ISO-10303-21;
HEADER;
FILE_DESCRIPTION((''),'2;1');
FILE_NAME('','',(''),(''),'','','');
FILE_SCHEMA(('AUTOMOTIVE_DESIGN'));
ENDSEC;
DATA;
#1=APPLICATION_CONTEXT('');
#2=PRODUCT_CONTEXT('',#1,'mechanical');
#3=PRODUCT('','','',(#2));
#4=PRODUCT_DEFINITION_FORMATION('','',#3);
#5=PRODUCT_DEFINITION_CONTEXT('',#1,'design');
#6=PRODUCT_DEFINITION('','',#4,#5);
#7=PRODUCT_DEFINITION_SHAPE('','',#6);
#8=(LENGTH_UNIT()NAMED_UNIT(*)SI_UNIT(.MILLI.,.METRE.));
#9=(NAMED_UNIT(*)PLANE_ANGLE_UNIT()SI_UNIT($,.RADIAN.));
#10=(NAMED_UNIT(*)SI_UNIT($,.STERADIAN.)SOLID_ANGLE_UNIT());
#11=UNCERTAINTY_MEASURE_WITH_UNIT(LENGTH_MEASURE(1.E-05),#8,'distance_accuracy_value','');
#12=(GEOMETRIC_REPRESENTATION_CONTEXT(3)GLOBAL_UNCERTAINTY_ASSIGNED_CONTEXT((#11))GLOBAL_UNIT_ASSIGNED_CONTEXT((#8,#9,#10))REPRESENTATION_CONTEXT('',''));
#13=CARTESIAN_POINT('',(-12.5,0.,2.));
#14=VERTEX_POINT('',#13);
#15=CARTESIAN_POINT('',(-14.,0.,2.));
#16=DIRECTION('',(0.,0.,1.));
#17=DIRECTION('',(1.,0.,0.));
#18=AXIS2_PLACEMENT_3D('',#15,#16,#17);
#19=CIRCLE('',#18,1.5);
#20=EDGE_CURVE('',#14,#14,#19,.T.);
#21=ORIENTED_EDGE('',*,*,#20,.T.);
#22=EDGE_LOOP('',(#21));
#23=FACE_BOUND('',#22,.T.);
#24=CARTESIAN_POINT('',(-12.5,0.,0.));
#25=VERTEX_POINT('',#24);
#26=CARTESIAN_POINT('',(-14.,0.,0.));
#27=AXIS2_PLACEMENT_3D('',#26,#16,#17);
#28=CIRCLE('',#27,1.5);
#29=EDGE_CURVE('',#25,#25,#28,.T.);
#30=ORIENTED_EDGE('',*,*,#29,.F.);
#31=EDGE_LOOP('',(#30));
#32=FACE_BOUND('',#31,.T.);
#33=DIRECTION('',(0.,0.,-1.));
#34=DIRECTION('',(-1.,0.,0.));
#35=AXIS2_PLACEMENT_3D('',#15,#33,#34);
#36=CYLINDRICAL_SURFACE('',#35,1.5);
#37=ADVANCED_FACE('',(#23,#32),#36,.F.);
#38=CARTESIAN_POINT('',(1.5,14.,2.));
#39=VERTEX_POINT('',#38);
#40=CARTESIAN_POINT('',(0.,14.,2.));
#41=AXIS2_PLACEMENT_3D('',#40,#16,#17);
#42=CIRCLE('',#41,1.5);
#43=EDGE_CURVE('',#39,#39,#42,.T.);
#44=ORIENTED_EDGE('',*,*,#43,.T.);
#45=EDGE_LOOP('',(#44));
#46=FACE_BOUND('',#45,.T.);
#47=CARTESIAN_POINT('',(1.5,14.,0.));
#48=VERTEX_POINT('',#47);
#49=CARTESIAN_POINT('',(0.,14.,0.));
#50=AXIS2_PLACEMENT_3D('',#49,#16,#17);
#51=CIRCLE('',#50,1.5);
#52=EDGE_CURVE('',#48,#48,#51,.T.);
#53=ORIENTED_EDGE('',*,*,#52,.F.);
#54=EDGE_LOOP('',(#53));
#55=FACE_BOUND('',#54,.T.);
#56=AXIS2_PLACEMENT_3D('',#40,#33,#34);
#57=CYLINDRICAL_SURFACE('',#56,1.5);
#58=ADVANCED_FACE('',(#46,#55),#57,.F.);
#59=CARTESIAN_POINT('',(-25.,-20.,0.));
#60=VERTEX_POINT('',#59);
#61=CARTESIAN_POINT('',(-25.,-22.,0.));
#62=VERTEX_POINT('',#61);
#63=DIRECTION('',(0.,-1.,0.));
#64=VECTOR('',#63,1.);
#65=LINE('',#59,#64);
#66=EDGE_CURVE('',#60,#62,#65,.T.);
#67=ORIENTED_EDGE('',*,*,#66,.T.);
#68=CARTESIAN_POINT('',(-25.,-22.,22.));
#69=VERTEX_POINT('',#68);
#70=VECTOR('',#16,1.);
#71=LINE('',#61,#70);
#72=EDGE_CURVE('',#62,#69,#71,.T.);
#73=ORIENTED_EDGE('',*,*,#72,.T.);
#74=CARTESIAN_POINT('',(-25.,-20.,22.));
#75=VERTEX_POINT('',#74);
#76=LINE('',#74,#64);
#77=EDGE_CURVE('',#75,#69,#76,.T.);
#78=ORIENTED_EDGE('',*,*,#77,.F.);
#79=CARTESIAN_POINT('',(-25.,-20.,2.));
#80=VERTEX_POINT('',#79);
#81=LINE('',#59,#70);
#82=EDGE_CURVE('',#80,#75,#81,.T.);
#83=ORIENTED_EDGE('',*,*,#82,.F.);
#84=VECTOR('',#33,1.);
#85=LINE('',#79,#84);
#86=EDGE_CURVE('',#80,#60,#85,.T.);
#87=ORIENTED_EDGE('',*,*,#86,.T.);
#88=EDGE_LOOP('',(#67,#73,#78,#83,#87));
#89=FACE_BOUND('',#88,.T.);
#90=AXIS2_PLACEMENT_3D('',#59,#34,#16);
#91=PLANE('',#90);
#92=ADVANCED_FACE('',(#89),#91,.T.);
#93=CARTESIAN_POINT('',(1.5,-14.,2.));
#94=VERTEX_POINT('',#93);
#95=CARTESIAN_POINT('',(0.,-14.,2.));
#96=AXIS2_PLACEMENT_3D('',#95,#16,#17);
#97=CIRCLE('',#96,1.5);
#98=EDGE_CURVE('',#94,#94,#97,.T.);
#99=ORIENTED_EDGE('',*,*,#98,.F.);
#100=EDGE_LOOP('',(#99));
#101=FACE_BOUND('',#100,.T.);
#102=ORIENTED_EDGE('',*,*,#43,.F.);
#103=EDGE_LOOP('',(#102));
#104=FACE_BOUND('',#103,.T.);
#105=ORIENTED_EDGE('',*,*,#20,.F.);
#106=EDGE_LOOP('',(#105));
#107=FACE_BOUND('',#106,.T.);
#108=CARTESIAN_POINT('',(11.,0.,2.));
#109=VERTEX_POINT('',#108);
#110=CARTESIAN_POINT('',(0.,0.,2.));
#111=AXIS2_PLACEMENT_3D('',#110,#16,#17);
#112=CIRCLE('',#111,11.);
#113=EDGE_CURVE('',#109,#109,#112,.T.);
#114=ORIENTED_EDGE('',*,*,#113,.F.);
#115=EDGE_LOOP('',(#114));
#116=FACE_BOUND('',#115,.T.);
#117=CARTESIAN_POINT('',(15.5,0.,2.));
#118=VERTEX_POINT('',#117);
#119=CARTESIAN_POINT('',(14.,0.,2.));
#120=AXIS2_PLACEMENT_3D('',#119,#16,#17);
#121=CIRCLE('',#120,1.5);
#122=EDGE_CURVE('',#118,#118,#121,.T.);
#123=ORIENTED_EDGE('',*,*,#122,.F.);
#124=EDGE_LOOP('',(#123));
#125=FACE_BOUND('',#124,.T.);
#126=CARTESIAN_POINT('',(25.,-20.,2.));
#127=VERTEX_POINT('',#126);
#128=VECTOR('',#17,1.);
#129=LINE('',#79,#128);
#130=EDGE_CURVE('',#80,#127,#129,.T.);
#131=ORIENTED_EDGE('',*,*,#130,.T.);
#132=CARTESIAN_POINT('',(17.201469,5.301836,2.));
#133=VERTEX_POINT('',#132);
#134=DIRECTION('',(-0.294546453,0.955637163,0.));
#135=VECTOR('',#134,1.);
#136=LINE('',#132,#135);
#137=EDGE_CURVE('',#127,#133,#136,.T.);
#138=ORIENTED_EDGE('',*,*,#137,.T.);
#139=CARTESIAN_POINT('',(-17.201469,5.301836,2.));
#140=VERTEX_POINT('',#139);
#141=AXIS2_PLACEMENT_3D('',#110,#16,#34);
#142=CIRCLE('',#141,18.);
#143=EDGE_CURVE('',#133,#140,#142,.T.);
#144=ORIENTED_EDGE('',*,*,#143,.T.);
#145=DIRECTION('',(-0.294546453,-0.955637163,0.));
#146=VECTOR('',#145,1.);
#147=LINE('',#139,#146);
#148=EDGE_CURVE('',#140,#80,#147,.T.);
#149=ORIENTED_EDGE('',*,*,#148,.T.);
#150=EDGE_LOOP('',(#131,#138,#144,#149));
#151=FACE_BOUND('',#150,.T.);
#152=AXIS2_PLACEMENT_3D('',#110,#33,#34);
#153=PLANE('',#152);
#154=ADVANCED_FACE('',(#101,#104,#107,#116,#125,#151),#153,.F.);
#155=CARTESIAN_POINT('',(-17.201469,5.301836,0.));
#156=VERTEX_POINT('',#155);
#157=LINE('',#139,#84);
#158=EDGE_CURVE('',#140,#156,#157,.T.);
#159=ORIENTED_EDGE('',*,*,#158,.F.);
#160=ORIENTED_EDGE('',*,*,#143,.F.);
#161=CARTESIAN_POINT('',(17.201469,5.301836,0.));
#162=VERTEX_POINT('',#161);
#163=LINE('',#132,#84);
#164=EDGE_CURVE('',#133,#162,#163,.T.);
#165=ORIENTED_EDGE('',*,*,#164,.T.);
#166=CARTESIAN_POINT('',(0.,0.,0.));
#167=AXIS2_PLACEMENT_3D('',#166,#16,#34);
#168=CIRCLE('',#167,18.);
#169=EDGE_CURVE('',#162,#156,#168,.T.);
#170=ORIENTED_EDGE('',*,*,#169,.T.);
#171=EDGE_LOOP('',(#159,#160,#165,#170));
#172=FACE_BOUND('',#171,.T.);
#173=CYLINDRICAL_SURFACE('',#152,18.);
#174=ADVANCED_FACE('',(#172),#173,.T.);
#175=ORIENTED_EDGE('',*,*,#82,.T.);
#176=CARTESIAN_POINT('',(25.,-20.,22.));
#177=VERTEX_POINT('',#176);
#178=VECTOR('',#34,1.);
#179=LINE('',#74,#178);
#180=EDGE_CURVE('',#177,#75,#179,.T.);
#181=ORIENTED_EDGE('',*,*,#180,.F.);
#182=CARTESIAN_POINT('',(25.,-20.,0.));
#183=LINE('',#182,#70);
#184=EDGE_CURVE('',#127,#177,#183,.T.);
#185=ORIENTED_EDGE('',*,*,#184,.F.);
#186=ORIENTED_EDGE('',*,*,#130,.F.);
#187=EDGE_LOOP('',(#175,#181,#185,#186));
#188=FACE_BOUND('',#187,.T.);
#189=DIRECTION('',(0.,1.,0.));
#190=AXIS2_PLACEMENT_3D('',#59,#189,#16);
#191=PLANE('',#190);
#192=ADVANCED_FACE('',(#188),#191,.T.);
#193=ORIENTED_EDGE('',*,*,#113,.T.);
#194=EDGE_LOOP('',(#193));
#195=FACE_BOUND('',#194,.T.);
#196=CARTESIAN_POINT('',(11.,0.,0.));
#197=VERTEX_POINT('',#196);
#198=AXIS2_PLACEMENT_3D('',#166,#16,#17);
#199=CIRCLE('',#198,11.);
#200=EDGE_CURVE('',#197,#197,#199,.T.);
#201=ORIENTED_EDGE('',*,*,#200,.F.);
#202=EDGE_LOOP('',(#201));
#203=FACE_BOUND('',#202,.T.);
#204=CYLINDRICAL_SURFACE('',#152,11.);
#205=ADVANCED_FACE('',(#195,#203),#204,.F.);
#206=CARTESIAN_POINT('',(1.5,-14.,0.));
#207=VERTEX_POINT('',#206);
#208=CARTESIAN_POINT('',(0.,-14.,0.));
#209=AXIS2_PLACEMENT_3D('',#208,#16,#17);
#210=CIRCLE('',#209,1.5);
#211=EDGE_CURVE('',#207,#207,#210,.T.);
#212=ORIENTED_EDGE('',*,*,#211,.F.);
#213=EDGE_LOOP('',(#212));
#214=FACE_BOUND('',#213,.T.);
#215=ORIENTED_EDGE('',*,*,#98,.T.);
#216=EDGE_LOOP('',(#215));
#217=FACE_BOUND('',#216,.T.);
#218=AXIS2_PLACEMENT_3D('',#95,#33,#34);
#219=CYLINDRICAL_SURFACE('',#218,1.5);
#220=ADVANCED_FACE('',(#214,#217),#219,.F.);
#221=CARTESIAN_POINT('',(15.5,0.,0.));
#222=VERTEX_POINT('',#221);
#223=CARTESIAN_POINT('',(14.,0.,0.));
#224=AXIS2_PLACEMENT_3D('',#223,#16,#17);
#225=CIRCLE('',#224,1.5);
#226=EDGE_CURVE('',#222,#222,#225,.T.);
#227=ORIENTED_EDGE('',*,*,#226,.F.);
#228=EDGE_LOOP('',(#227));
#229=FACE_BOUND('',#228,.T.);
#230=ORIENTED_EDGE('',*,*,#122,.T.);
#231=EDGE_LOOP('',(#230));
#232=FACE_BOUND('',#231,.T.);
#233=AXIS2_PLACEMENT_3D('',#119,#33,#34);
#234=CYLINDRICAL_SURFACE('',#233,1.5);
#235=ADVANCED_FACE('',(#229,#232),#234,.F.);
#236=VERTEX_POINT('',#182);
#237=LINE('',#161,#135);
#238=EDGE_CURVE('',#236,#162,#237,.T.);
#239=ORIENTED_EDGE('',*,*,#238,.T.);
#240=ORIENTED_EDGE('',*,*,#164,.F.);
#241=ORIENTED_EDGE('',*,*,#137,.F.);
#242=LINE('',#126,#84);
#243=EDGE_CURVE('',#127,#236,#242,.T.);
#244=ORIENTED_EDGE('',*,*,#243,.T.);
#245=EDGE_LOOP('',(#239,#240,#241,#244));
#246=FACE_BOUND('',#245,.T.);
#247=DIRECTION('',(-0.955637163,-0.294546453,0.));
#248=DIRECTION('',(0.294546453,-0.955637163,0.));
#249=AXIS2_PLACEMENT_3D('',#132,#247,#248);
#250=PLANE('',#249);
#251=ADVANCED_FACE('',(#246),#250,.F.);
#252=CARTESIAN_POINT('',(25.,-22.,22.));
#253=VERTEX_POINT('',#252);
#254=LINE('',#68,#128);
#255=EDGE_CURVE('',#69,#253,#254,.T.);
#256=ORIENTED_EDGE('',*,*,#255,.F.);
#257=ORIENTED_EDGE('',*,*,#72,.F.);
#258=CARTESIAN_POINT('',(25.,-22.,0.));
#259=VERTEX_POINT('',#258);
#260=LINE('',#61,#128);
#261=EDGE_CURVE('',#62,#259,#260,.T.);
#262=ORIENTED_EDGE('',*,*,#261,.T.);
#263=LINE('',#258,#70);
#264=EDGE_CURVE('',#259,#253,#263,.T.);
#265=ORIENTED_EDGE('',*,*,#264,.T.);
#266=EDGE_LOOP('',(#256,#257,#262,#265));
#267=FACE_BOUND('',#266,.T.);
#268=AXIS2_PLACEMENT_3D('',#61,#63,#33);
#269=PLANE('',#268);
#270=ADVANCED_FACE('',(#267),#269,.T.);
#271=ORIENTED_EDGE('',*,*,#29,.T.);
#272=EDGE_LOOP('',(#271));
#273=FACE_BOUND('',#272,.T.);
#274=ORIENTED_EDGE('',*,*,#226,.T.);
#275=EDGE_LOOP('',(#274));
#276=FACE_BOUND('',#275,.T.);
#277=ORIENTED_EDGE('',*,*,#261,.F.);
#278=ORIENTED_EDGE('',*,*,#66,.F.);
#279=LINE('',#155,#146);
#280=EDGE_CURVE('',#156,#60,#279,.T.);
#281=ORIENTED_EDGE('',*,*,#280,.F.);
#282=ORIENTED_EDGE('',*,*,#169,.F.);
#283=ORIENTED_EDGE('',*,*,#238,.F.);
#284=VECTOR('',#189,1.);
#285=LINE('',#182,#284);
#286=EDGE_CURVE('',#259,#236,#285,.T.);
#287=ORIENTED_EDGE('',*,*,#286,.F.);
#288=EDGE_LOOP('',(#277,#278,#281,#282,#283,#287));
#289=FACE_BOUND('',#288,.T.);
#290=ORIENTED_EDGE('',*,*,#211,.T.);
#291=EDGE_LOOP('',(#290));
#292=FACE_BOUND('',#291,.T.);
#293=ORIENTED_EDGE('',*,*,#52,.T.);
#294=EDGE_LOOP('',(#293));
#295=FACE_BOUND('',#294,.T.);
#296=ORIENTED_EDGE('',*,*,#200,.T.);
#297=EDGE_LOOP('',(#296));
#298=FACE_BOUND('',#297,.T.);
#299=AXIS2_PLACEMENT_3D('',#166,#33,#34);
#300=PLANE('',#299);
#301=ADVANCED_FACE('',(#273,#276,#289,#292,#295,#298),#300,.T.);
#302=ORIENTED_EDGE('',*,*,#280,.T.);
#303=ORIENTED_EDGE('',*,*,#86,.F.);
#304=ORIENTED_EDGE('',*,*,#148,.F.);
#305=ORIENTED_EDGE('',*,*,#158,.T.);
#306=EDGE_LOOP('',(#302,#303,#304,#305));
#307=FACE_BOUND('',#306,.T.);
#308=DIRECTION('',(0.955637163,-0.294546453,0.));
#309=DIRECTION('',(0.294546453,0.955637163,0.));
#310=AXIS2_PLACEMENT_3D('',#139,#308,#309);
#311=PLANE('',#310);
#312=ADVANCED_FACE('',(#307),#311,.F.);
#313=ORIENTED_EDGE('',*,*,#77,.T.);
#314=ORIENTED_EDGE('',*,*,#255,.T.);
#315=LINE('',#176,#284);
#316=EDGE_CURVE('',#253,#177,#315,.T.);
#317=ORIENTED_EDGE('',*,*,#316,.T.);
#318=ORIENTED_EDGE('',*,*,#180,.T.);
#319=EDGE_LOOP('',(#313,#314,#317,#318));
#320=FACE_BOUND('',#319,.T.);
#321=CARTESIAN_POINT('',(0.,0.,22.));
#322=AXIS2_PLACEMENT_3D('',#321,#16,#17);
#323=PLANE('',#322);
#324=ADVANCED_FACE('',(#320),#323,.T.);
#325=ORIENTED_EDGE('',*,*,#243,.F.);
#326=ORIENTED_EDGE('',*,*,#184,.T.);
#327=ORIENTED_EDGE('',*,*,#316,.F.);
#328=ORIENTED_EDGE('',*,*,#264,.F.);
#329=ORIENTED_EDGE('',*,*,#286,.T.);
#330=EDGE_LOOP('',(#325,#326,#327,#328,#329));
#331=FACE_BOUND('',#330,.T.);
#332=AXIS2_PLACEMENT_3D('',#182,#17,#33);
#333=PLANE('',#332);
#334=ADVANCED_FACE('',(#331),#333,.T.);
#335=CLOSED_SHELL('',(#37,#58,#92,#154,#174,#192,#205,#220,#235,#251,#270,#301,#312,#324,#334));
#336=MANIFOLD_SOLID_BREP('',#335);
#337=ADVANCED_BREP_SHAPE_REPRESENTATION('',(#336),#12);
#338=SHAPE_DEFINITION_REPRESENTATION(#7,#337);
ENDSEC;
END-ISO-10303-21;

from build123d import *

# Parameters (mm, degrees)
SKETCH1_R                = 11
SKETCH1_R_2              = 1.5
BOSS_EXTRUDE1_DEPTH      = 2
BOSS_EXTRUDE2_DEPTH      = 20
BOSS_EXTRUDE2_DEPTH_BACK = 2
SKETCH2_W                = 50
SKETCH2_H                = 2


with BuildPart() as part:
    # Sketch1 → Boss-Extrude1 (new body)
    with BuildSketch(Plane.XY):
        with BuildLine():
            Line((-25, -20), (25, -20))
            Line((25, -20), (17.201468929, 5.301836161))
            ThreePointArc((17.201468929, 5.301836161), (0, 18), (-17.201468929, 5.301836161))
            Line((-17.201468929, 5.301836161), (-25, -20))
        make_face()
        Circle(SKETCH1_R, mode=Mode.SUBTRACT)
        with Locations((0, 14)):
            Circle(SKETCH1_R_2, mode=Mode.SUBTRACT)
        with Locations((14, 0)):
            Circle(SKETCH1_R_2, mode=Mode.SUBTRACT)
        with Locations((0, -14)):
            Circle(SKETCH1_R_2, mode=Mode.SUBTRACT)
        with Locations((-14, 0)):
            Circle(SKETCH1_R_2, mode=Mode.SUBTRACT)
    extrude(amount=BOSS_EXTRUDE1_DEPTH)

    # Sketch2 → Boss-Extrude2 (add, two sides: drawn at the far end of the back side and taken through both)
    with BuildSketch(Plane.XY.offset(2).offset(-BOSS_EXTRUDE2_DEPTH_BACK)):
        with Locations((0, -21)):
            Rectangle(SKETCH2_W, SKETCH2_H)
    extrude(amount=BOSS_EXTRUDE2_DEPTH + BOSS_EXTRUDE2_DEPTH_BACK)


solid = part.part
